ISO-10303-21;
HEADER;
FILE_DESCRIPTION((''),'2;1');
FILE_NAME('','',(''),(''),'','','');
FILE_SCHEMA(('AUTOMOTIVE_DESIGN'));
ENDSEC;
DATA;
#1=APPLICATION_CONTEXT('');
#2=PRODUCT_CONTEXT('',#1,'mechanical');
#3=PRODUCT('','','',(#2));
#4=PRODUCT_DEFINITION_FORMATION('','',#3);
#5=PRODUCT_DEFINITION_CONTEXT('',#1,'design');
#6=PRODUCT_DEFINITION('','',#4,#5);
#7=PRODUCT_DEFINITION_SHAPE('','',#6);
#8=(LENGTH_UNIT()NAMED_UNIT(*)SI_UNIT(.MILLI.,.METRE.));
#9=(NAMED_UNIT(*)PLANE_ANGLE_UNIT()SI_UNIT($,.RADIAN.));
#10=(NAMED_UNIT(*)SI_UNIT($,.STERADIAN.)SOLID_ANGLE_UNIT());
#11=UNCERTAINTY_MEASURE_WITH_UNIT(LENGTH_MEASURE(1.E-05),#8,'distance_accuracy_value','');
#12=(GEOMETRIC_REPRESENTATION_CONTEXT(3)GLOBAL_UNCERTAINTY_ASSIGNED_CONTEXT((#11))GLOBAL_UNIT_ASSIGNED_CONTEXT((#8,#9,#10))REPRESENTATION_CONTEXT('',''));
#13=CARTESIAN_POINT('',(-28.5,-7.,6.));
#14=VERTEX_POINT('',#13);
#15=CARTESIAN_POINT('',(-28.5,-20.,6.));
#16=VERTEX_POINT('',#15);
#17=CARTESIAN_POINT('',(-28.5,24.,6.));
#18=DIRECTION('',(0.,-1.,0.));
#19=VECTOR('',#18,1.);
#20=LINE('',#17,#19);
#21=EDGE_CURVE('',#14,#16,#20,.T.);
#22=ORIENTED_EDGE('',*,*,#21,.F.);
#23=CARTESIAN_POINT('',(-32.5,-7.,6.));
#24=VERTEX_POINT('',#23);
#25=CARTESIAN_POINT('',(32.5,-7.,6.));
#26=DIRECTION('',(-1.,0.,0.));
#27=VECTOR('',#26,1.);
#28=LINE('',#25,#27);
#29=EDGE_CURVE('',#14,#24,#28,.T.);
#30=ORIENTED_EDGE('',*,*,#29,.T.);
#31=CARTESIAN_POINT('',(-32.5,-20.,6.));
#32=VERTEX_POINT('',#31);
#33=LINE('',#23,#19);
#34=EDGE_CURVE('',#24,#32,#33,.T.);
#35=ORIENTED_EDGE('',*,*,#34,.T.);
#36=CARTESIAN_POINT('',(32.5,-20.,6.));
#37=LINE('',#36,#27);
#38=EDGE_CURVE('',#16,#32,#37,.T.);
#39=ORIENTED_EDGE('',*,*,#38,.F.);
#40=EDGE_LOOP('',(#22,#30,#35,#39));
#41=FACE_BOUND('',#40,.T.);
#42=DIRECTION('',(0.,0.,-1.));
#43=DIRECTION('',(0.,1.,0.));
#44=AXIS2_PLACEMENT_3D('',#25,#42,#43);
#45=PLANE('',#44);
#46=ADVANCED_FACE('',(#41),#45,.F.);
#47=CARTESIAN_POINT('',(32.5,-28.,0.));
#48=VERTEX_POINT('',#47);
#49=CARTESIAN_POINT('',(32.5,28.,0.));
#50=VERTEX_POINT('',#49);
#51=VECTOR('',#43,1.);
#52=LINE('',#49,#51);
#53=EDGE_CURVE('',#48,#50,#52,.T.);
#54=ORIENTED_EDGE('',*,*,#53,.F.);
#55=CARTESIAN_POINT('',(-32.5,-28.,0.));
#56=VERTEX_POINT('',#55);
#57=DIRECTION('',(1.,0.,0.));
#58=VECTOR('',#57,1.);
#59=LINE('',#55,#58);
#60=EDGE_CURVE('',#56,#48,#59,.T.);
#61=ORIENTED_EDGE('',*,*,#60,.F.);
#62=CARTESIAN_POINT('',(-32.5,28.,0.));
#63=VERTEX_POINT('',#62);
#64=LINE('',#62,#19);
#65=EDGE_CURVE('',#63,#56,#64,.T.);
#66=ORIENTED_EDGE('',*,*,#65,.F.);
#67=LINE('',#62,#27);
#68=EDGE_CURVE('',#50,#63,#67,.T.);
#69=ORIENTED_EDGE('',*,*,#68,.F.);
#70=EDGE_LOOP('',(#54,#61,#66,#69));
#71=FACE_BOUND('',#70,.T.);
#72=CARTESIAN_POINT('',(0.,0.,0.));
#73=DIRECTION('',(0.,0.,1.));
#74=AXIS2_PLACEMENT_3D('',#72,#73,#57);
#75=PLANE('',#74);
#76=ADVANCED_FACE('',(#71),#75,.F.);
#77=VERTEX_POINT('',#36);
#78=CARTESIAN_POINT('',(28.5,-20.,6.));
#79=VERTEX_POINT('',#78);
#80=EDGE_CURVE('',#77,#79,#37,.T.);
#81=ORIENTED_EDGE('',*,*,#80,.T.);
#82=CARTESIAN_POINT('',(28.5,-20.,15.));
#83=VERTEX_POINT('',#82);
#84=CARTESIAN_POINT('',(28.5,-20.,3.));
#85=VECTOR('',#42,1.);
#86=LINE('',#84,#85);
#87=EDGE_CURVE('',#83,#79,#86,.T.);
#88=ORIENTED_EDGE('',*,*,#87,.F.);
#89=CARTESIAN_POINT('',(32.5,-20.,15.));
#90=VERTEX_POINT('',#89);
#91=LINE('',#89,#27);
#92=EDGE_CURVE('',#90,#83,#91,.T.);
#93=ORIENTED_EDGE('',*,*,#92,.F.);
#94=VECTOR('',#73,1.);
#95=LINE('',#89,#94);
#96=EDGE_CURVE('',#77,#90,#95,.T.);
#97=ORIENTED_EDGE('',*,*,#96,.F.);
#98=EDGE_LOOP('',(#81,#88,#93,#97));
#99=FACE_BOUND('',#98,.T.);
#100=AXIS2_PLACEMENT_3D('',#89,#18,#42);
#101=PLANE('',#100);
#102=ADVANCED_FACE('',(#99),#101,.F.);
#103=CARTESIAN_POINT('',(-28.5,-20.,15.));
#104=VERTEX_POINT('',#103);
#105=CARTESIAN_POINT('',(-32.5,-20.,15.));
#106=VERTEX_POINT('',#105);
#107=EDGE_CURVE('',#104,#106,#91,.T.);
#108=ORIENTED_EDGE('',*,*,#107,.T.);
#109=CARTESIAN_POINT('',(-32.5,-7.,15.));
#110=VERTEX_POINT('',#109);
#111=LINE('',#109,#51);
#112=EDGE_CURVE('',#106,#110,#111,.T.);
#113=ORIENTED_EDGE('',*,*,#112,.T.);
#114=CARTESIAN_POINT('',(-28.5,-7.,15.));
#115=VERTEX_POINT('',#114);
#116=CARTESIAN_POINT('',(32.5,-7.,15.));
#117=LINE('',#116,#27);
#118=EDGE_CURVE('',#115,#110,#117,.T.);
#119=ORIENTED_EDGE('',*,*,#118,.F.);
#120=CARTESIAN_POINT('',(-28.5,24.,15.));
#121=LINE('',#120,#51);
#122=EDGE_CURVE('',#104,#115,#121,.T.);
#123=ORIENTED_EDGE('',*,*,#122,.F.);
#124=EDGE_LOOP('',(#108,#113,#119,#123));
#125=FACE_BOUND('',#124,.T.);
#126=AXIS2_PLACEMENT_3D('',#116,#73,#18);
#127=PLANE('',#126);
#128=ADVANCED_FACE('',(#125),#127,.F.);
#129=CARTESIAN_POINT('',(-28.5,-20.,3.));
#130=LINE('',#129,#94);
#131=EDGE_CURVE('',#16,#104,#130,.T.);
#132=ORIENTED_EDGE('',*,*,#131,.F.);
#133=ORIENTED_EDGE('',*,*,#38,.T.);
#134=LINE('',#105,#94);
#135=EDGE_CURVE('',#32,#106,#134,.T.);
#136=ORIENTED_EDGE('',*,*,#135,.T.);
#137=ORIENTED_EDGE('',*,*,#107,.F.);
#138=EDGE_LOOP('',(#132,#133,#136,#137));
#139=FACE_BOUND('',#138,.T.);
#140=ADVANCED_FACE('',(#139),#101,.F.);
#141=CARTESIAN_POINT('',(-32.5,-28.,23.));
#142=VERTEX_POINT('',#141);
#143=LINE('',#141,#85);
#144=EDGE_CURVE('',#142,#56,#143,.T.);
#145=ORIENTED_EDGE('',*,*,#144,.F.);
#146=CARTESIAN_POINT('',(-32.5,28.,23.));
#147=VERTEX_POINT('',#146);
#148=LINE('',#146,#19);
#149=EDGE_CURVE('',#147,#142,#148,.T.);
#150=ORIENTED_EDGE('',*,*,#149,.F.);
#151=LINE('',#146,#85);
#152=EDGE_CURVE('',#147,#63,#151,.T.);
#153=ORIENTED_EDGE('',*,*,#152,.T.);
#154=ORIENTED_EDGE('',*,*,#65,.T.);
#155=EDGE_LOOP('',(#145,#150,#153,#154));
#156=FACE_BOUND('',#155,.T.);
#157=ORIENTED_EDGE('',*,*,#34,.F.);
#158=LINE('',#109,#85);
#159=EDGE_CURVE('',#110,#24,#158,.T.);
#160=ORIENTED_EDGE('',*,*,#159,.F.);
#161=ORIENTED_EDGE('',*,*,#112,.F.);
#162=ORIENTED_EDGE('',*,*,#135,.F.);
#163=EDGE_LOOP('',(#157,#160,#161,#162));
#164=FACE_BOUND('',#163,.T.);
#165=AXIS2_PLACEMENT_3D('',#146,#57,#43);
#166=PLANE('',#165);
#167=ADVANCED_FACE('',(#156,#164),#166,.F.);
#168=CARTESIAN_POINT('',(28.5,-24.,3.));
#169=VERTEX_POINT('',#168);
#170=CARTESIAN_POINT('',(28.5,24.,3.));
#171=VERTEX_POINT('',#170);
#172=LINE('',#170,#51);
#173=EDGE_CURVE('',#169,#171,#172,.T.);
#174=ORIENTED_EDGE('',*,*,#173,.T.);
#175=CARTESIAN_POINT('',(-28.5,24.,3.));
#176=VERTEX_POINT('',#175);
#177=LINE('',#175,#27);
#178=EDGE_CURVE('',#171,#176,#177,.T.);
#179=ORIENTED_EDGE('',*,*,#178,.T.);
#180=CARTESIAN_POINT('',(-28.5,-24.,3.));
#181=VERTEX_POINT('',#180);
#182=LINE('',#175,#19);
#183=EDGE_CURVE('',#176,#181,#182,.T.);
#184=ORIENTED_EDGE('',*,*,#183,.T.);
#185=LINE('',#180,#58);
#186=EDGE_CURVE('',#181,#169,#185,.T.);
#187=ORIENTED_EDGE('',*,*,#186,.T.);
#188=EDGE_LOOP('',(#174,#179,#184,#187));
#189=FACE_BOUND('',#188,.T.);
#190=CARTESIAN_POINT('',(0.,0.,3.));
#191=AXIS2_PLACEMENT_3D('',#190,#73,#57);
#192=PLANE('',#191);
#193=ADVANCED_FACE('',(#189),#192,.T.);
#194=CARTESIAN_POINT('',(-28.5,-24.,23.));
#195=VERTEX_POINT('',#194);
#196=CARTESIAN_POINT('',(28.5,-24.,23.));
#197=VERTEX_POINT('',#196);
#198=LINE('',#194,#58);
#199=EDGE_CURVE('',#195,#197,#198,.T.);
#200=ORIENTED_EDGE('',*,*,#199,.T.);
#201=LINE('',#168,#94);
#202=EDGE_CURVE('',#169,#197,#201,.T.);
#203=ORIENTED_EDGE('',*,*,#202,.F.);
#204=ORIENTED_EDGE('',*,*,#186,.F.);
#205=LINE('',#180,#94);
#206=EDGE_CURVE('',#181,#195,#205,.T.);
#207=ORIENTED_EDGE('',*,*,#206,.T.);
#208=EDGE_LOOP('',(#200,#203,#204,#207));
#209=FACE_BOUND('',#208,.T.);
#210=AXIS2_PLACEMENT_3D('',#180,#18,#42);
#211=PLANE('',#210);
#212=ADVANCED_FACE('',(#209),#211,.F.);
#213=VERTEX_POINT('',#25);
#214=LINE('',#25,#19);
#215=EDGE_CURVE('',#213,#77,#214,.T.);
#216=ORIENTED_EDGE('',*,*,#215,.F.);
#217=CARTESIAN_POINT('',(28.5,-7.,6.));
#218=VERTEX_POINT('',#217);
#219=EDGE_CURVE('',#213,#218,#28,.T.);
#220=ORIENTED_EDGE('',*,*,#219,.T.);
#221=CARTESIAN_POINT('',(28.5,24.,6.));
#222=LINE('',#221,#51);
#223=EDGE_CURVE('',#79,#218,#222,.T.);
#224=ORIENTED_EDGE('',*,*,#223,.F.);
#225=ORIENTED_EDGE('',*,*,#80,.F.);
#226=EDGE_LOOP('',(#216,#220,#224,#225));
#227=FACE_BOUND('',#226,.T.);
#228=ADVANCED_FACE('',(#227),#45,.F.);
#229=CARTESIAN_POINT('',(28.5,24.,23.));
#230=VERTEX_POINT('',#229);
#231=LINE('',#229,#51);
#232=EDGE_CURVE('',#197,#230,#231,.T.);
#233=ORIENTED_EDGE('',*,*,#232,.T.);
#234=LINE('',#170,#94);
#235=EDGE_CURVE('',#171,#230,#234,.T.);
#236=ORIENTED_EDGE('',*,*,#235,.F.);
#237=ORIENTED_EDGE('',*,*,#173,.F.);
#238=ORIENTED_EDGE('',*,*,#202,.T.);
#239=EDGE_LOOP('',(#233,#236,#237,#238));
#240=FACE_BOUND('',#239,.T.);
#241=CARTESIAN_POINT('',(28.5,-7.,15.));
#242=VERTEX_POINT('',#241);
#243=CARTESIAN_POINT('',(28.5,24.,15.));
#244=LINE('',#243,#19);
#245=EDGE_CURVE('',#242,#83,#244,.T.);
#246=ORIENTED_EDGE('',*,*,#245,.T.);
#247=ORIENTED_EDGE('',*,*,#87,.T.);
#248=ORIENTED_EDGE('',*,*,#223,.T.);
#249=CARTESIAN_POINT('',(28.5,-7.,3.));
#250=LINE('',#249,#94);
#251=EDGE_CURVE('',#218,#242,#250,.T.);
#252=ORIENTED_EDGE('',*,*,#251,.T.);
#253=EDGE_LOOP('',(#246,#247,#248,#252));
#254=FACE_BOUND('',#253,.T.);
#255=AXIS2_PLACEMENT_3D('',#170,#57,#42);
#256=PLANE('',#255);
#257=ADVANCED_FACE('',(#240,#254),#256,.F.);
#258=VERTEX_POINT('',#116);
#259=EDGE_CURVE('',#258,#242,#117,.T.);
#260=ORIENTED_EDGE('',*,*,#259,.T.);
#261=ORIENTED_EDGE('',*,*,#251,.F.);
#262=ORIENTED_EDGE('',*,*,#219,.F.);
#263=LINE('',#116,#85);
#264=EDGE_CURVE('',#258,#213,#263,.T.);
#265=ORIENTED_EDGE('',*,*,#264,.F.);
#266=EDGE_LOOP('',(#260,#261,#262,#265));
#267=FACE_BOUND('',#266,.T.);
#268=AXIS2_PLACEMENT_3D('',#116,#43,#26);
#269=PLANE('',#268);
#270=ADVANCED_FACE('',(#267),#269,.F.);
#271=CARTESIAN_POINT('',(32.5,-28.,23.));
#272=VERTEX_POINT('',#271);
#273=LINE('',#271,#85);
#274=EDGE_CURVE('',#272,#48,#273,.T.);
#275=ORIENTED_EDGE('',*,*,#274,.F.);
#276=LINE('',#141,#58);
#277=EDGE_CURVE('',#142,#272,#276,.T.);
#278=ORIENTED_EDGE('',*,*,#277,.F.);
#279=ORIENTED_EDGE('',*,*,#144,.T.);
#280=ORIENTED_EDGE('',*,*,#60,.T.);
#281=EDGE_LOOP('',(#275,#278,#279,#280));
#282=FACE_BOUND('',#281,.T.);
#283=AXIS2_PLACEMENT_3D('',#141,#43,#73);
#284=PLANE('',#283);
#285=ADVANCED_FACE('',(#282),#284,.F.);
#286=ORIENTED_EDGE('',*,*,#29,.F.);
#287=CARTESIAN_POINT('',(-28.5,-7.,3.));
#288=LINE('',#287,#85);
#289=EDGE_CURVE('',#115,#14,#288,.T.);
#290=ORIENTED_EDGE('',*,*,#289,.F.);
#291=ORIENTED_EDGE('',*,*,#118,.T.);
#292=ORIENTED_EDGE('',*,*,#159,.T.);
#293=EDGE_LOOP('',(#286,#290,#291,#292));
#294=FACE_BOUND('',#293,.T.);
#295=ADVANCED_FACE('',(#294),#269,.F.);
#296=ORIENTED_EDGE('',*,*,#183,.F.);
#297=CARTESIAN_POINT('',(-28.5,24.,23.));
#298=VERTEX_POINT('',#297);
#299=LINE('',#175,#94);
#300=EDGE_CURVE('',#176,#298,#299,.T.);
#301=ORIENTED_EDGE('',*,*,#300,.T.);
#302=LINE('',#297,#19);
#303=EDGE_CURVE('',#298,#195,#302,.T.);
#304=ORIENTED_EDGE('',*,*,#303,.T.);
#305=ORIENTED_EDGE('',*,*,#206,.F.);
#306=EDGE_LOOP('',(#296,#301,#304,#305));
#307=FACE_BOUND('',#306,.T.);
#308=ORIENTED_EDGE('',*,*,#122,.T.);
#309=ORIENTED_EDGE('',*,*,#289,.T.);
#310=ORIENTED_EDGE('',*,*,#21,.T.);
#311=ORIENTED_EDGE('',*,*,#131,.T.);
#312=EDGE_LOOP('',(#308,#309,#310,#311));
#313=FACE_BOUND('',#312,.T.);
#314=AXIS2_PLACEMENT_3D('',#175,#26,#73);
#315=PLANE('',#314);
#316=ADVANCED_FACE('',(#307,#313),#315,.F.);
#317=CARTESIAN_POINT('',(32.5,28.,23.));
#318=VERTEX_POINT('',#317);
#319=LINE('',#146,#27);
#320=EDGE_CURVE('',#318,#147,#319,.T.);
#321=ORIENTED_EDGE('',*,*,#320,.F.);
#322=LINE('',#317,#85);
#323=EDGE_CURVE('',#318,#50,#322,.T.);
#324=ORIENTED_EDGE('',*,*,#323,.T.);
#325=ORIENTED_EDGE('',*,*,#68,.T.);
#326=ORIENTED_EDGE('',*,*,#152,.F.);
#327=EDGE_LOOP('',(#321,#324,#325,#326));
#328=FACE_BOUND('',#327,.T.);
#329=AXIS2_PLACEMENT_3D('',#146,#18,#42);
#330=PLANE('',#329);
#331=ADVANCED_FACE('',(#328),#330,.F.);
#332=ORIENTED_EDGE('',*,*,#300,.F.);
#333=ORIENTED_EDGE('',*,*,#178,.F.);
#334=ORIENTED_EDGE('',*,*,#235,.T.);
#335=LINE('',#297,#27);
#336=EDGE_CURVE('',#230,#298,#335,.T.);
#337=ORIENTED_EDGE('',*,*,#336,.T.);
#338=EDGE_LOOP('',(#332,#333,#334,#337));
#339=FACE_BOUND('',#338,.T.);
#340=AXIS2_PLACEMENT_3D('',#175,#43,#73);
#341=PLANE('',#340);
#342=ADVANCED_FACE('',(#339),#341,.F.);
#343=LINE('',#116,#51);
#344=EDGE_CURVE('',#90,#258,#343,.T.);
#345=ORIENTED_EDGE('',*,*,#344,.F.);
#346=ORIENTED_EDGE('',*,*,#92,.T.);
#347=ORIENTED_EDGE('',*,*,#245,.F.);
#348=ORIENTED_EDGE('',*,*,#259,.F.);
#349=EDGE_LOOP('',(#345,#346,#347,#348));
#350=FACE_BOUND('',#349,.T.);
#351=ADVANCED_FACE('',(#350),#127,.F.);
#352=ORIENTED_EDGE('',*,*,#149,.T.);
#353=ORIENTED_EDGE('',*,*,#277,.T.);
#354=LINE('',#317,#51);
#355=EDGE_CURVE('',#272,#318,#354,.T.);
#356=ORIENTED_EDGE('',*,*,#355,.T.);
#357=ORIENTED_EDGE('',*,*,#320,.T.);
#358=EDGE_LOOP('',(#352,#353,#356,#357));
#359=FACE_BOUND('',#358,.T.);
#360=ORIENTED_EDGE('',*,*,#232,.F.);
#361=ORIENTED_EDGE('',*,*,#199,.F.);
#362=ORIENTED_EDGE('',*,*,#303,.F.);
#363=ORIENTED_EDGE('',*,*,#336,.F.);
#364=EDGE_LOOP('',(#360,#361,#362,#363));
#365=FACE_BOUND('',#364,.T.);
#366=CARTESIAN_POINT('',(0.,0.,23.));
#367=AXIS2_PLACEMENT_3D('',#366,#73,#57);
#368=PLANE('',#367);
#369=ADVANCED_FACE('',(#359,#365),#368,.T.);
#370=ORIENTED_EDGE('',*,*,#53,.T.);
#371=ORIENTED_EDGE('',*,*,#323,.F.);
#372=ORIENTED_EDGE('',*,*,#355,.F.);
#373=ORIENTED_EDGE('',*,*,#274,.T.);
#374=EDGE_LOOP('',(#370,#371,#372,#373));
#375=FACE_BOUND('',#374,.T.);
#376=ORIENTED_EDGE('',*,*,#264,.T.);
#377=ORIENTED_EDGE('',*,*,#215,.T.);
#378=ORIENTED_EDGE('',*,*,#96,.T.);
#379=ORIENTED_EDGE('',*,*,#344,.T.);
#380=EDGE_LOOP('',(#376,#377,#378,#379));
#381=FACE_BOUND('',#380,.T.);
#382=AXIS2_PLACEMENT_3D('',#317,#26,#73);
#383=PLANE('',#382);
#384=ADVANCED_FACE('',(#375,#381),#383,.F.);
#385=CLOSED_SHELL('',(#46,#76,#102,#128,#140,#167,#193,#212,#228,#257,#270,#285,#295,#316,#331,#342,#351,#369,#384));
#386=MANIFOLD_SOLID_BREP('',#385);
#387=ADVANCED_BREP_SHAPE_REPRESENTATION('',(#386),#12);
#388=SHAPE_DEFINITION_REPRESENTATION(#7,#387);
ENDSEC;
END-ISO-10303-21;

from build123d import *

# Parameters (mm, degrees)
SKETCH1_W           = 65
SKETCH1_H           = 56
BOSS_EXTRUDE1_DEPTH = 23
SKETCH2_W           = 57
SKETCH2_H           = 48
CUT_EXTRUDE1_DEPTH  = 20
SKETCH5_W           = 9
SKETCH5_H           = 13
CUT_EXTRUDE2_DEPTH  = 75.417739821


with BuildPart() as part:
    # Sketch1 → Boss-Extrude1 (new body)
    with BuildSketch(Plane.XY):
        Rectangle(SKETCH1_W, SKETCH1_H)
    extrude(amount=BOSS_EXTRUDE1_DEPTH)

    # Sketch2 → Cut-Extrude1 (cut)
    with BuildSketch(Plane.XY.offset(23)):
        Rectangle(SKETCH2_W, SKETCH2_H)
    extrude(amount=-CUT_EXTRUDE1_DEPTH, mode=Mode.SUBTRACT)

    # Sketch5 → Cut-Extrude2 (cut, through all)
    with BuildSketch(Plane.ZY.offset(32.5)):
        with Locations((10.5, -13.5)):
            Rectangle(SKETCH5_W, SKETCH5_H)
    extrude(amount=-CUT_EXTRUDE2_DEPTH, mode=Mode.SUBTRACT)


solid = part.part
